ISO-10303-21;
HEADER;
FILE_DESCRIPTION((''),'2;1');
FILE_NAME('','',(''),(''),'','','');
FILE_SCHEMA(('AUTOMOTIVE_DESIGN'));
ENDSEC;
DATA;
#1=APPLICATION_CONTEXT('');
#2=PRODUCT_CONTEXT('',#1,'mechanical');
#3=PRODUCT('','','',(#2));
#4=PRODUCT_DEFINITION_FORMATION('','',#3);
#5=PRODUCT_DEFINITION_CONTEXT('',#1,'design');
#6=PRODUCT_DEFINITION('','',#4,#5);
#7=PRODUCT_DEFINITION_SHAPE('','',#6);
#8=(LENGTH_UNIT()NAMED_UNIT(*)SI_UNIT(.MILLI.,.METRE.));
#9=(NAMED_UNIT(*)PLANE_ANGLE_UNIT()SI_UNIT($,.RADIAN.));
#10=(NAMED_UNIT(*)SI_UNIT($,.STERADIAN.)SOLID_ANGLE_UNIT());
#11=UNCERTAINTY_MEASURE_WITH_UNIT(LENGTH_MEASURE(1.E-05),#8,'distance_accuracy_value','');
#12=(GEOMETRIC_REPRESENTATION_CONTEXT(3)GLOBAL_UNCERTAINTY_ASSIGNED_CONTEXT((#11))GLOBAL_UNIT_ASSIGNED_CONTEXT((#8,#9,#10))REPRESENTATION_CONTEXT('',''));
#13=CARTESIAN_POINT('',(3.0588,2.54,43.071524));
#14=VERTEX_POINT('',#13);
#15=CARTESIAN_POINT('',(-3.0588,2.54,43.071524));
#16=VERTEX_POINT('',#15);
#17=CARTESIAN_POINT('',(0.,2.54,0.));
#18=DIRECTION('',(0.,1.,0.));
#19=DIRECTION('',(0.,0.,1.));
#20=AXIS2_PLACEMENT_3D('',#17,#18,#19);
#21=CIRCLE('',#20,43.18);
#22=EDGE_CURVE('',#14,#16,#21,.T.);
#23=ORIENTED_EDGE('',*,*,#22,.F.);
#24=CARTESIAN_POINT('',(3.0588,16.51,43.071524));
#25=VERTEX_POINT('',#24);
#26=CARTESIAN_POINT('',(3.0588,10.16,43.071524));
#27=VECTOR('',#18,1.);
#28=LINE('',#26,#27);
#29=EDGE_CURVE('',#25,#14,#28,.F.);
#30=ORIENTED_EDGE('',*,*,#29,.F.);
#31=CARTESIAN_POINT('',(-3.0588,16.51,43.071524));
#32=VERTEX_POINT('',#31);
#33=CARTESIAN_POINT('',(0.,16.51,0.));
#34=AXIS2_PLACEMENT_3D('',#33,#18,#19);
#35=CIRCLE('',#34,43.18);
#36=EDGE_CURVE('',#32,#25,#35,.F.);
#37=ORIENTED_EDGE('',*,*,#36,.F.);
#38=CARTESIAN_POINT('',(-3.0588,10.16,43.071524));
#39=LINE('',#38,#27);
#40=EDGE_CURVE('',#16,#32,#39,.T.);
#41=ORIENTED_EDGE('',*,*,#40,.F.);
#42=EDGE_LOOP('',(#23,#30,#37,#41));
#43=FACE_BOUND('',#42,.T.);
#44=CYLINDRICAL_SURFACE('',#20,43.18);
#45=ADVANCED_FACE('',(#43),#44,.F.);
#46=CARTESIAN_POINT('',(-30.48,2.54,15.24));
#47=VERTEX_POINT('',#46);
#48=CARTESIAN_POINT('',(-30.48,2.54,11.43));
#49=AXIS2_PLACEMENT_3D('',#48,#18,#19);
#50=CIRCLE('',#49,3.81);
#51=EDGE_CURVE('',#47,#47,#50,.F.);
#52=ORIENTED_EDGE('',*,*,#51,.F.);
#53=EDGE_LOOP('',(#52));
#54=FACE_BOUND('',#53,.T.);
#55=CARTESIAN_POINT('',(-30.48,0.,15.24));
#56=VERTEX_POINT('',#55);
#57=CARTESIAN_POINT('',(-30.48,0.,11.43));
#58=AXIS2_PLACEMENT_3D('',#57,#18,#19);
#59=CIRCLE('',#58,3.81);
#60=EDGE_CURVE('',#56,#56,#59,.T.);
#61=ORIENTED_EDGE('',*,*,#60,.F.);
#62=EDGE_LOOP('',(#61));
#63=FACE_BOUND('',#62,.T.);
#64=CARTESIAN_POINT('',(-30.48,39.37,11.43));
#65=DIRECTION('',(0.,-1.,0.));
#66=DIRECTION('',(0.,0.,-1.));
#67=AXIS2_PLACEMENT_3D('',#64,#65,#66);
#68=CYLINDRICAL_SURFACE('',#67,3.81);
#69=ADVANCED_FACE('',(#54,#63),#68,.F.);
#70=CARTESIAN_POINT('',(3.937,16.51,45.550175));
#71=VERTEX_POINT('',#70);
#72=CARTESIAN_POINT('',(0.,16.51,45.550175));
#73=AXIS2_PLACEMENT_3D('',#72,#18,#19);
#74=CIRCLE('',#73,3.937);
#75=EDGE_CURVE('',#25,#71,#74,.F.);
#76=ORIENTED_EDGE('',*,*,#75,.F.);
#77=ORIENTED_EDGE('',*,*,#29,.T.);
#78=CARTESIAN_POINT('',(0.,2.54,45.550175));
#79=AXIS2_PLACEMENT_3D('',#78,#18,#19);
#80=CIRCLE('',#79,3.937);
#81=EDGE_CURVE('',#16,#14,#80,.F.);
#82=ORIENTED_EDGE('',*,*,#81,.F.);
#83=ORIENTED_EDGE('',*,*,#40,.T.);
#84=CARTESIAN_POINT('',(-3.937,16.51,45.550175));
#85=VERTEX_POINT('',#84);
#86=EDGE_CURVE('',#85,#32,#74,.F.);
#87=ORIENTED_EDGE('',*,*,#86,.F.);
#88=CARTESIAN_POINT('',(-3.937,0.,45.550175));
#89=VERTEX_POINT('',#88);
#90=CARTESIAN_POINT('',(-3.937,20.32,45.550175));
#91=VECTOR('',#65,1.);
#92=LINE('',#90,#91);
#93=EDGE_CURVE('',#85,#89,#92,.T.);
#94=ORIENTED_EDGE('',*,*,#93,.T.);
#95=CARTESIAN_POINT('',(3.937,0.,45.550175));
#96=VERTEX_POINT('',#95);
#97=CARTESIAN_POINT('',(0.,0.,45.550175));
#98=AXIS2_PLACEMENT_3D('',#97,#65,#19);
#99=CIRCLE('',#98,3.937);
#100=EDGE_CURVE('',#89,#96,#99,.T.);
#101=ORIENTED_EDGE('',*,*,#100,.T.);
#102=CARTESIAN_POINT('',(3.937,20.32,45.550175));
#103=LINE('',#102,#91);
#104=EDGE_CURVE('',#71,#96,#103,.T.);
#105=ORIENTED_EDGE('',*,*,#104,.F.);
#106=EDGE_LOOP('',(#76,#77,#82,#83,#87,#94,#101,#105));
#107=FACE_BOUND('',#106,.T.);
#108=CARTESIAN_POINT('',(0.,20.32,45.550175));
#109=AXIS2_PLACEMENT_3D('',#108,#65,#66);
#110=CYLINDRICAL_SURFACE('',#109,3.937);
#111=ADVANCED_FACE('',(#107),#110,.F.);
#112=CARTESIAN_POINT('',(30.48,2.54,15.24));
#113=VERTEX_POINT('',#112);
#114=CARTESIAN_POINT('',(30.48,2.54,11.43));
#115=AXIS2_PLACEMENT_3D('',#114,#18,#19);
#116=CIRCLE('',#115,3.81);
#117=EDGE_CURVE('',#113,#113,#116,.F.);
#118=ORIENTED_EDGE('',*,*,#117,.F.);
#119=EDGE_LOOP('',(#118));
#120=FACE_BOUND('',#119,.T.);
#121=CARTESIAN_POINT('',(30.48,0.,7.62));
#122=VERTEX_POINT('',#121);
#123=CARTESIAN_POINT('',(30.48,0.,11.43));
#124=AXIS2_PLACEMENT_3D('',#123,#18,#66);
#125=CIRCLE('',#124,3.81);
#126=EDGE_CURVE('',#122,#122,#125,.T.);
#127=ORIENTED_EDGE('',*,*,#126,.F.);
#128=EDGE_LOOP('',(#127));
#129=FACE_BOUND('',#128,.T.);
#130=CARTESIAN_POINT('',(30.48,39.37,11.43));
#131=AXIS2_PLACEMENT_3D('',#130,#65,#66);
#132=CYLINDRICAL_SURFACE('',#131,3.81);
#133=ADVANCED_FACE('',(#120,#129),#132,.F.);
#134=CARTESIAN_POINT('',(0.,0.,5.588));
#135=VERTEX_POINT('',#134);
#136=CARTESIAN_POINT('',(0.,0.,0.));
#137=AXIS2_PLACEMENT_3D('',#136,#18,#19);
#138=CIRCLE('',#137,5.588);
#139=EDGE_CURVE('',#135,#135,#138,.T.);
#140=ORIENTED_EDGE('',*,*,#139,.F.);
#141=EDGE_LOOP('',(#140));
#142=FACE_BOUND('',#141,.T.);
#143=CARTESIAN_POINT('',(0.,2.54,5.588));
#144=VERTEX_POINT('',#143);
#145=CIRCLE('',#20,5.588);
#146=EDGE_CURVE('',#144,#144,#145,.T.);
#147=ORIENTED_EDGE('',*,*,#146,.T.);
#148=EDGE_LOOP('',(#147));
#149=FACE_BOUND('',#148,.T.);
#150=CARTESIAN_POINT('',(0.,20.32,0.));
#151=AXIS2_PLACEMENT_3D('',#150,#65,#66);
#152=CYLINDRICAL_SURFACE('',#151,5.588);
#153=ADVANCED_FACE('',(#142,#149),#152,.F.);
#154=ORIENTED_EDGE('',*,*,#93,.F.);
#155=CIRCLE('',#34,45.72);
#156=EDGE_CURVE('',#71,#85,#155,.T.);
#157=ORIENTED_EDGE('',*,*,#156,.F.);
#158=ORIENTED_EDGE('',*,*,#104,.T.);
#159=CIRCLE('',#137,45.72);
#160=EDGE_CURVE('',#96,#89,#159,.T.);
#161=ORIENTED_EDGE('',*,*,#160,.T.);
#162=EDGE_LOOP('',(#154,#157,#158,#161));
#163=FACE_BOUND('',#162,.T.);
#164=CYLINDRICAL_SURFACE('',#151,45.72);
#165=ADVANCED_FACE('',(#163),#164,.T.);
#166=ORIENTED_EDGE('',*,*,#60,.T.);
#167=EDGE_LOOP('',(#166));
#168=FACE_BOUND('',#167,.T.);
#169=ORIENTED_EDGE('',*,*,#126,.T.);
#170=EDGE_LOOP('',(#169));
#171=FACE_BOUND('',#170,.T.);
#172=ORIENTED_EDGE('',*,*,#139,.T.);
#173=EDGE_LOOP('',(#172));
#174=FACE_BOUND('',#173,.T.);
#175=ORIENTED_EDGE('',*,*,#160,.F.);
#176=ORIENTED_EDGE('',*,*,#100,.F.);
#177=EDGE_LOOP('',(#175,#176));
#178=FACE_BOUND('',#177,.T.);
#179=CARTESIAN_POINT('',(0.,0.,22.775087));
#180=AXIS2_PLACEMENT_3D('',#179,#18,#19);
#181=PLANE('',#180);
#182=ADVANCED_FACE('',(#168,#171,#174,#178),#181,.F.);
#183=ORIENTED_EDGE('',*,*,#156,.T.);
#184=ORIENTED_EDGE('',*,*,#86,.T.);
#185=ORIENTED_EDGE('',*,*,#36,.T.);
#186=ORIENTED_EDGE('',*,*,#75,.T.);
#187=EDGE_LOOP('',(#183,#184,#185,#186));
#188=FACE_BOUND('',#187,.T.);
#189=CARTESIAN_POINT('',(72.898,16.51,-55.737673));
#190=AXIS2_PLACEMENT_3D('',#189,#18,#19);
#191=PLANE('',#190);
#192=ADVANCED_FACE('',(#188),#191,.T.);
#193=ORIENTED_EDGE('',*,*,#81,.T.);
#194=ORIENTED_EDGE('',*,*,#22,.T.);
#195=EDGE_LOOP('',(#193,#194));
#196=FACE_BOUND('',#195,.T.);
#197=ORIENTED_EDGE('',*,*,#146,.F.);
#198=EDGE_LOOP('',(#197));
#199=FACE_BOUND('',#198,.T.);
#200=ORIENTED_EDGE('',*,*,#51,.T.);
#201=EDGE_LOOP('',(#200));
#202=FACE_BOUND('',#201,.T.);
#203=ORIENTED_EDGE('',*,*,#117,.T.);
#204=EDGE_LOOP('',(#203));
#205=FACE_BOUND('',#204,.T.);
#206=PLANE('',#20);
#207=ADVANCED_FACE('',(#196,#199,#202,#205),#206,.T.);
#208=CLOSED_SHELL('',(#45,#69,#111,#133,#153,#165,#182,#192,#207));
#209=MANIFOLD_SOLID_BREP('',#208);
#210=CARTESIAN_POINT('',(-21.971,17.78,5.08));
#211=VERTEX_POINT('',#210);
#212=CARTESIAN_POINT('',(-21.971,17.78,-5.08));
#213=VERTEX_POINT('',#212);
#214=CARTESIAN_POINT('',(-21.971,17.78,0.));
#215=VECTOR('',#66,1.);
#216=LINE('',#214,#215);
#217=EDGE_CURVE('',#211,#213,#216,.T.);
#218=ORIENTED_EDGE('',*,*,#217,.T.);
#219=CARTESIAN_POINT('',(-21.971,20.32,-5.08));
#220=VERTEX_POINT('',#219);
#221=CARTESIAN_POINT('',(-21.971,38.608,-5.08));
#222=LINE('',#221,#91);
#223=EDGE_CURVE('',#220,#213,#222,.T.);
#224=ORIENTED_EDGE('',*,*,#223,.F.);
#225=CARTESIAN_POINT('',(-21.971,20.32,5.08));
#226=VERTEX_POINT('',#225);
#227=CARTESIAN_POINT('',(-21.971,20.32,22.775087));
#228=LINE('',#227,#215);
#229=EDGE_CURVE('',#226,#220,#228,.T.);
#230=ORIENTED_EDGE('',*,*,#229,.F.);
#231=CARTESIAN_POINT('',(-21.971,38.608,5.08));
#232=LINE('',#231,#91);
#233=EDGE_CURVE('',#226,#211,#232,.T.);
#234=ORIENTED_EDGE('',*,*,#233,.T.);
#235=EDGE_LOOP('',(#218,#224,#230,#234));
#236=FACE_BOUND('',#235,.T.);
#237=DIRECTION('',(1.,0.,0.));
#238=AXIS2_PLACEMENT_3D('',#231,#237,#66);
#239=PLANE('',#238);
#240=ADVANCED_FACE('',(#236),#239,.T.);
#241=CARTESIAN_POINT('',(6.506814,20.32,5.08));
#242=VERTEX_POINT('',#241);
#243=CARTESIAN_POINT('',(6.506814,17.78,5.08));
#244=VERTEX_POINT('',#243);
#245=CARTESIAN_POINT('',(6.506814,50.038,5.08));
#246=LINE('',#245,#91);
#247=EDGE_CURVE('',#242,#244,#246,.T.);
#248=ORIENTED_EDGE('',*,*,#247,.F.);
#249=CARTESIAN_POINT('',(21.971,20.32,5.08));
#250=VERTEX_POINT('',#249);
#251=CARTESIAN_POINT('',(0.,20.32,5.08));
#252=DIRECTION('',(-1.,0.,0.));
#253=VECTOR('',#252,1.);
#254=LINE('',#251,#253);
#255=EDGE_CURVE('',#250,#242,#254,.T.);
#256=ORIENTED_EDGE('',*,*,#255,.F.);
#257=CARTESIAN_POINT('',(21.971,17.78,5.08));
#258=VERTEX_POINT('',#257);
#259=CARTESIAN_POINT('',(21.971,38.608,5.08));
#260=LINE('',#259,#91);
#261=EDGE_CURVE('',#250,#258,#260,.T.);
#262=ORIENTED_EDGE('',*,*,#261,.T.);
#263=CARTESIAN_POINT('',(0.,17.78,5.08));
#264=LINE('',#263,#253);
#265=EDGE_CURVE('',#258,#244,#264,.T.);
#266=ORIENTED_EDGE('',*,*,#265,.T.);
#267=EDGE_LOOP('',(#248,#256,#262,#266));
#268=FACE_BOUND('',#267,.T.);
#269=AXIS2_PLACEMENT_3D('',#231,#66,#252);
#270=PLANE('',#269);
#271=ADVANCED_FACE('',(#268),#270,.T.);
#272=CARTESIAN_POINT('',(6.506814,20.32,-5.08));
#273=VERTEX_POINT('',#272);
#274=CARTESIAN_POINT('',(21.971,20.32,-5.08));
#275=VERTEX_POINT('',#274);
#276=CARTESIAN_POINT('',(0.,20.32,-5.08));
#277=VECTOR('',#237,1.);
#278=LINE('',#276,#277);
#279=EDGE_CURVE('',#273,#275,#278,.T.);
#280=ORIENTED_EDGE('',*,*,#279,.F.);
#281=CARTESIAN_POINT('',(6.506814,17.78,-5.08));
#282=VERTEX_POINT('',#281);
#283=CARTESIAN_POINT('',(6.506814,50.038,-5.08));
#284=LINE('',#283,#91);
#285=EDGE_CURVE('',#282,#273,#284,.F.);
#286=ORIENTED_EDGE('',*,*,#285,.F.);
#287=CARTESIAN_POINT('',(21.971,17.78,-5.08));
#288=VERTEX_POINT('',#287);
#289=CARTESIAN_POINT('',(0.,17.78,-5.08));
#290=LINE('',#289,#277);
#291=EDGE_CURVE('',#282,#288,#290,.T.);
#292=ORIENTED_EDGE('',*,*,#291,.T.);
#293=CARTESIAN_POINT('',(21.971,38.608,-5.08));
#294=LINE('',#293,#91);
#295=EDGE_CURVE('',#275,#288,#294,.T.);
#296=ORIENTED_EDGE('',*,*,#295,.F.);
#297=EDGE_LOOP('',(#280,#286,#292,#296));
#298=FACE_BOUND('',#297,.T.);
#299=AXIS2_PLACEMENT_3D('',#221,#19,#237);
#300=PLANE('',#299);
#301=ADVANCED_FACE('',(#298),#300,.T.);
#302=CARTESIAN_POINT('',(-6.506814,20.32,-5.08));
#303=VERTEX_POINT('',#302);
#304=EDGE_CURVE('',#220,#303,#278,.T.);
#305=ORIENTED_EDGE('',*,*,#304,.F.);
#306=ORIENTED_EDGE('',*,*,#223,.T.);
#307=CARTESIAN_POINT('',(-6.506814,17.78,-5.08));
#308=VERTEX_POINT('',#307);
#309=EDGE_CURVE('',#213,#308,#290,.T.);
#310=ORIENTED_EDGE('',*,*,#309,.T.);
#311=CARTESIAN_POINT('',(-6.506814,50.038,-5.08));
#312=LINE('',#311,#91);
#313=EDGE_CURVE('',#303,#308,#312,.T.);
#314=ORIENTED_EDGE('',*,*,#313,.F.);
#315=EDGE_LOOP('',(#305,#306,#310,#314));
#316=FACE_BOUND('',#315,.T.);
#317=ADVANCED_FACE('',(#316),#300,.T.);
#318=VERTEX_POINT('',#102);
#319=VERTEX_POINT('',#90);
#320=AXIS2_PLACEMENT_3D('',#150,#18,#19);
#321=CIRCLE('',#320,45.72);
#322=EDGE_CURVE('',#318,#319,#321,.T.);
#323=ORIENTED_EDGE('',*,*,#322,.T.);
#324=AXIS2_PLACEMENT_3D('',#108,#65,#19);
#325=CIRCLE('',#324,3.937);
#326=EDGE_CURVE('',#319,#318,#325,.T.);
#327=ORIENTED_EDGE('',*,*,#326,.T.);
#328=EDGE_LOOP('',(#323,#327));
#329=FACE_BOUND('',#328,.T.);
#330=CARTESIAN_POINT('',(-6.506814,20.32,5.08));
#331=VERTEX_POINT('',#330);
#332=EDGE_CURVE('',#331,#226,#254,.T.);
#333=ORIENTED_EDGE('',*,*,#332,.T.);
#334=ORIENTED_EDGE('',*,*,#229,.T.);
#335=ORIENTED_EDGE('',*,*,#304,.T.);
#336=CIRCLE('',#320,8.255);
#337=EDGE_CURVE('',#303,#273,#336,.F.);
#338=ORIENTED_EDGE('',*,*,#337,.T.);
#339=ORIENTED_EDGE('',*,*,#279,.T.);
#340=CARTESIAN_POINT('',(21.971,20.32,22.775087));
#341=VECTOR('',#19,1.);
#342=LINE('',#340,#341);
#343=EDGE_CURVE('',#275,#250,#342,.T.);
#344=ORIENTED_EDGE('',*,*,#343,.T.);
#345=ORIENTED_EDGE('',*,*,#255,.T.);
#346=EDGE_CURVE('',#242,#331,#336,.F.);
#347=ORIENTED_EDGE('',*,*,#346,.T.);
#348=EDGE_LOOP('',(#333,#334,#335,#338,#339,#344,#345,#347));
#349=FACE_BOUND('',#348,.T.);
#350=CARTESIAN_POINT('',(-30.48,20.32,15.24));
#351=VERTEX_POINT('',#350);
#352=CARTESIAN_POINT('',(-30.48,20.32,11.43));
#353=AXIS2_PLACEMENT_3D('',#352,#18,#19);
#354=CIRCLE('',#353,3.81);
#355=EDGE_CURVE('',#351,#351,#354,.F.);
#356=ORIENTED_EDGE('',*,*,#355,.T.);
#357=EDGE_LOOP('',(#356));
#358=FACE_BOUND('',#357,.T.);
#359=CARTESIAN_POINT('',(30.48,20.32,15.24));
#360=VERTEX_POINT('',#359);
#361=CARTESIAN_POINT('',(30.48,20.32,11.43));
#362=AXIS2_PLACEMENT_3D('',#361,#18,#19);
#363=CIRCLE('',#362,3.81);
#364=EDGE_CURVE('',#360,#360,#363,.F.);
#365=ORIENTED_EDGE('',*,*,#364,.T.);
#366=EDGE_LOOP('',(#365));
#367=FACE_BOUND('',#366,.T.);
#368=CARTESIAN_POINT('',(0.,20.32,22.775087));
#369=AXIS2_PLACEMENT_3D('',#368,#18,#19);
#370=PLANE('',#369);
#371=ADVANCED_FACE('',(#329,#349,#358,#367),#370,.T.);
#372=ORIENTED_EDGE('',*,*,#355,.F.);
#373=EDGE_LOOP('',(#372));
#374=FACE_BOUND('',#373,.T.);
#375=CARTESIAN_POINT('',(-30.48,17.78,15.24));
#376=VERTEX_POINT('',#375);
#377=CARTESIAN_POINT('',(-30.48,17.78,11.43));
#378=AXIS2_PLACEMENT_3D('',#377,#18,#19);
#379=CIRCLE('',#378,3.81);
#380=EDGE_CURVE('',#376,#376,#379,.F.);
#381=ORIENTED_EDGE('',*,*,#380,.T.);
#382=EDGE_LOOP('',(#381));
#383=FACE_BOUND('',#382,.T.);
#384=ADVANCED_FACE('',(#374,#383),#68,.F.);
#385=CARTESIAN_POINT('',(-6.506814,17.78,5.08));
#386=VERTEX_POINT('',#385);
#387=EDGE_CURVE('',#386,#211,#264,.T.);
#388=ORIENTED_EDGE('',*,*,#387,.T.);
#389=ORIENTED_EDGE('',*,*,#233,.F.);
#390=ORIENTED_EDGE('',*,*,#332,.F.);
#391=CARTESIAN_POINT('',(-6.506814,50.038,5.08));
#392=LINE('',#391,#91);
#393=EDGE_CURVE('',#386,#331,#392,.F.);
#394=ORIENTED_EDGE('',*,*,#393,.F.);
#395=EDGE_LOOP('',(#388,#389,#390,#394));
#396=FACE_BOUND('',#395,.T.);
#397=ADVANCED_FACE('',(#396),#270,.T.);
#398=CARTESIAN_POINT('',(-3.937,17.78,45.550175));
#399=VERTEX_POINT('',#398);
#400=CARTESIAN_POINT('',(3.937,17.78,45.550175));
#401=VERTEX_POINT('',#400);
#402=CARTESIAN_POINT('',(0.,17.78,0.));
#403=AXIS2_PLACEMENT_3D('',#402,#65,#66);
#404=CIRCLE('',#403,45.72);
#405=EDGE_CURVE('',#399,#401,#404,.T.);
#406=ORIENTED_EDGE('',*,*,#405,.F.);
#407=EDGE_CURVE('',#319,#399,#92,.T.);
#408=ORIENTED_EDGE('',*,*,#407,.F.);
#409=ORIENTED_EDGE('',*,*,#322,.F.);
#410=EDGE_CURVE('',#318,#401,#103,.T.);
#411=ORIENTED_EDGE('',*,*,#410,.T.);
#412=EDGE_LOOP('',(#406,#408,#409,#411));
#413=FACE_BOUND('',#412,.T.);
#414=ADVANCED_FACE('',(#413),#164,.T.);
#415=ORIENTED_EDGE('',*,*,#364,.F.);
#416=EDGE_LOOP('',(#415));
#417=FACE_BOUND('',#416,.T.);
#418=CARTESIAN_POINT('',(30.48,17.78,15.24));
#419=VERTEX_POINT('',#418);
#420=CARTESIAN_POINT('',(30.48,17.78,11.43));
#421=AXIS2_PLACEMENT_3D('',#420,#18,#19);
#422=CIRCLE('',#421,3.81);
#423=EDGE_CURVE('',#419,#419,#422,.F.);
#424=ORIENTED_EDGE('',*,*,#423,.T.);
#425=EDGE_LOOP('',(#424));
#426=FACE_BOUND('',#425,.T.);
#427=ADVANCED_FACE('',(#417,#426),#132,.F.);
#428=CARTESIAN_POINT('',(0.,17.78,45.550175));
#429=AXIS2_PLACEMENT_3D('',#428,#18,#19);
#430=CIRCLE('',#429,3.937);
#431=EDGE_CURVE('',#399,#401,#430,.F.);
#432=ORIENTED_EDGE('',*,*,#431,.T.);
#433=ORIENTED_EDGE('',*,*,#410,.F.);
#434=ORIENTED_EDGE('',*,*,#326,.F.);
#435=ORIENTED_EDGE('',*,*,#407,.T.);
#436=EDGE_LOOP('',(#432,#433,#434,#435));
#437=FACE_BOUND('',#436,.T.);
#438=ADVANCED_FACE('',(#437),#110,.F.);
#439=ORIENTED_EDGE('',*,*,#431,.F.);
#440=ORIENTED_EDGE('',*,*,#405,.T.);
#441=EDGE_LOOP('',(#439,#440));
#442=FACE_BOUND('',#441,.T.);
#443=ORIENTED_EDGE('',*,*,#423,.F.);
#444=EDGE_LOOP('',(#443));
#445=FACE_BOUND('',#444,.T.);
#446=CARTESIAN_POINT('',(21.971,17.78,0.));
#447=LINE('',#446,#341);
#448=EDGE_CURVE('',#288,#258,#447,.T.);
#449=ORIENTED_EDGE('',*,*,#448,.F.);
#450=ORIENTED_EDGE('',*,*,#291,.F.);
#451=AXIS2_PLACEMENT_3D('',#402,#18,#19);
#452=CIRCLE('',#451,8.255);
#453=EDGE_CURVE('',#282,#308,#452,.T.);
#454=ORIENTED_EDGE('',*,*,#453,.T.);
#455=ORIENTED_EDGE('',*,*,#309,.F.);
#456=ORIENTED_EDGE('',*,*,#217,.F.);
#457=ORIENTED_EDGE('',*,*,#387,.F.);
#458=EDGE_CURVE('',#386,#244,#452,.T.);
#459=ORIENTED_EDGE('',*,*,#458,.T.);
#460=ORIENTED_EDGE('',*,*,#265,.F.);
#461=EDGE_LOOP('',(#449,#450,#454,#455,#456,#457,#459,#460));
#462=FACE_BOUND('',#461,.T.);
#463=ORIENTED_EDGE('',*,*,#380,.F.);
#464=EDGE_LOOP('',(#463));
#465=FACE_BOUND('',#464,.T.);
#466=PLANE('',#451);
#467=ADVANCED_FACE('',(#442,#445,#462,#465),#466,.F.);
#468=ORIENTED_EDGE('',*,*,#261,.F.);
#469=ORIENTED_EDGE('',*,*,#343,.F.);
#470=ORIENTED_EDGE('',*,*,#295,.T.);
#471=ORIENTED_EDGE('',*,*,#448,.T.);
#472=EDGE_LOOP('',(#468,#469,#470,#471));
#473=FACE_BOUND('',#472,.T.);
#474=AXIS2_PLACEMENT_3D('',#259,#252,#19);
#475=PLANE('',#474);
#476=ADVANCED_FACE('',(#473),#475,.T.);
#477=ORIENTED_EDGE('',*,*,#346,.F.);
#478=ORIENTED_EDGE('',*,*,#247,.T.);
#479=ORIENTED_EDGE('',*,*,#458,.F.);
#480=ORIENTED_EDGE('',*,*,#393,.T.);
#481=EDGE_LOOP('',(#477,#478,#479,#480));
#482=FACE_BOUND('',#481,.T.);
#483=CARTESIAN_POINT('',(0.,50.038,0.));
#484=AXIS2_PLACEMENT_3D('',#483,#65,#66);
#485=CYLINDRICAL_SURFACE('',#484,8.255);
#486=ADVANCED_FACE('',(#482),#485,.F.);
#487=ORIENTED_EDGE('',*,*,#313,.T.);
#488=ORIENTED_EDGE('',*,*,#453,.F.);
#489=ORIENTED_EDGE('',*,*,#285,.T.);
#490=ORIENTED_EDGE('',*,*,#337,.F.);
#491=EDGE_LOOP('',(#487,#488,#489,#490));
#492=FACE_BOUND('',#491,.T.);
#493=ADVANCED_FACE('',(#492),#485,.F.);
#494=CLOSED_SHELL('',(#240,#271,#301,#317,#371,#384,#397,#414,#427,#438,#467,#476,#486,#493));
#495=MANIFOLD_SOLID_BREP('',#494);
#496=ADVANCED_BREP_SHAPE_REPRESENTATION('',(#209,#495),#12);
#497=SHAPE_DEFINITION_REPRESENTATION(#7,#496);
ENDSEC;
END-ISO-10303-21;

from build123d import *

# Parameters (mm, degrees)
SKETCH1_R               = 5.588
BOSS_EXTRUDE1_DEPTH     = 20.32
CUT_EXTRUDE5_START      = 2.54
SKETCH5_R               = 8.255
CUT_EXTRUDE5_DEPTH      = 47.498
CUT_EXTRUDE7_START      = 17.78
SKETCH6_R               = 43.18
CUT_EXTRUDE7_DEPTH      = 15.24
CUT_EXTRUDE8_START      = 10.16
SKETCH7_W               = 43.942
SKETCH7_H               = 10.16
CUT_EXTRUDE8_DEPTH      = 28.448
CUT_EXTRUDE9_DEPTH      = 72.898
CUT_EXTRUDE9_DEPTH_BACK = 70.612
SKETCH8_W               = 108.573094023
SKETCH8_H               = 1.27
SKETCH9_R               = 3.81
CUT_EXTRUDE10_DEPTH     = 39.37


with BuildPart() as part:
    # Sketch1 → Boss-Extrude1 (new body)
    with BuildSketch(Plane(origin=(0, 0, 0), x_dir=(1, 0, 0), z_dir=(0, 1, 0))):
        with BuildLine():
            ThreePointArc((3.937, -45.550174873), (0, 45.72), (-3.937, -45.550174873))
            ThreePointArc((-3.937, -45.550174873), (0, -41.613174873), (3.937, -45.550174873))
        make_face()
        with Locations(Location((0, 0, 0), (0, 0, 270))):
            Circle(SKETCH1_R, mode=Mode.SUBTRACT)
    extrude(amount=BOSS_EXTRUDE1_DEPTH)

    # Sketch5 → Cut-Extrude5 (cut)
    with BuildSketch(Plane(origin=(0, 0, 0), x_dir=(1, 0, 0), z_dir=(0, 1, 0)).offset(CUT_EXTRUDE5_START)):
        with Locations(Location((0, 0, 0), (0, 0, 90))):
            Circle(SKETCH5_R)
    extrude(amount=CUT_EXTRUDE5_DEPTH, mode=Mode.SUBTRACT)

    # Sketch6 → Cut-Extrude7 (cut)
    with BuildSketch(Plane(origin=(0, 0, 0), x_dir=(1, 0, 0), z_dir=(0, 1, 0)).offset(CUT_EXTRUDE7_START)):
        Circle(SKETCH6_R)
    extrude(amount=-CUT_EXTRUDE7_DEPTH, mode=Mode.SUBTRACT)

    # Sketch7 → Cut-Extrude8 (cut)
    with BuildSketch(Plane(origin=(0, 0, 0), x_dir=(1, 0, 0), z_dir=(0, 1, 0)).offset(CUT_EXTRUDE8_START)):
        Rectangle(SKETCH7_W, SKETCH7_H)
    extrude(amount=CUT_EXTRUDE8_DEPTH, mode=Mode.SUBTRACT)

    # Sketch8 → Cut-Extrude9 (cut, two sides: drawn at the far end of the back side and taken through both)
    with BuildSketch(Plane(origin=(0, 0, 0), x_dir=(0, 0, -1), z_dir=(1, 0, 0)).offset(-CUT_EXTRUDE9_DEPTH_BACK)):
        with Locations((1.451126255, 17.145)):
            Rectangle(SKETCH8_W, SKETCH8_H)
    extrude(amount=CUT_EXTRUDE9_DEPTH + CUT_EXTRUDE9_DEPTH_BACK, mode=Mode.SUBTRACT)


with BuildPart() as cut_extrude9_piece_1:
    # of the separate pieces the step leaves, piece 1, a body of its own (cut_extrude9_pieces)
    add(part.part.solids().sort_by_distance((-3.937, 0, 45.550174873))[0])


with BuildPart() as cut_extrude9_piece_2:
    # of the separate pieces the step leaves, piece 2, a body of its own (cut_extrude9_pieces)
    add(part.part.solids().sort_by_distance((-3.937, 17.78, 45.550174873))[0])


with BuildPart() as cut_extrude10_tool:
    # Sketch9 → Cut-Extrude10 (new body)
    with BuildSketch(Plane(origin=(0, 0, 0), x_dir=(1, 0, 0), z_dir=(0, 1, 0))):
        with Locations(Location((-30.48, -11.43, 0), (0, 0, 270))):
            Circle(SKETCH9_R)
        with Locations(Location((30.48, -11.43, 0), (0, 0, 270))):
            Circle(SKETCH9_R)
    extrude(amount=CUT_EXTRUDE10_DEPTH)


with BuildPart() as cut_extrude9_piece_1_1:
    add(cut_extrude9_piece_1.part)

    # Cut-Extrude10: cut by cut_extrude10_tool
    add(cut_extrude10_tool.part, mode=Mode.SUBTRACT)


with BuildPart() as cut_extrude9_piece_2_1:
    add(cut_extrude9_piece_2.part)

    # Cut-Extrude10: cut by cut_extrude10_tool
    add(cut_extrude10_tool.part, mode=Mode.SUBTRACT)


solid = Compound([cut_extrude9_piece_1_1.part, cut_extrude9_piece_2_1.part])
